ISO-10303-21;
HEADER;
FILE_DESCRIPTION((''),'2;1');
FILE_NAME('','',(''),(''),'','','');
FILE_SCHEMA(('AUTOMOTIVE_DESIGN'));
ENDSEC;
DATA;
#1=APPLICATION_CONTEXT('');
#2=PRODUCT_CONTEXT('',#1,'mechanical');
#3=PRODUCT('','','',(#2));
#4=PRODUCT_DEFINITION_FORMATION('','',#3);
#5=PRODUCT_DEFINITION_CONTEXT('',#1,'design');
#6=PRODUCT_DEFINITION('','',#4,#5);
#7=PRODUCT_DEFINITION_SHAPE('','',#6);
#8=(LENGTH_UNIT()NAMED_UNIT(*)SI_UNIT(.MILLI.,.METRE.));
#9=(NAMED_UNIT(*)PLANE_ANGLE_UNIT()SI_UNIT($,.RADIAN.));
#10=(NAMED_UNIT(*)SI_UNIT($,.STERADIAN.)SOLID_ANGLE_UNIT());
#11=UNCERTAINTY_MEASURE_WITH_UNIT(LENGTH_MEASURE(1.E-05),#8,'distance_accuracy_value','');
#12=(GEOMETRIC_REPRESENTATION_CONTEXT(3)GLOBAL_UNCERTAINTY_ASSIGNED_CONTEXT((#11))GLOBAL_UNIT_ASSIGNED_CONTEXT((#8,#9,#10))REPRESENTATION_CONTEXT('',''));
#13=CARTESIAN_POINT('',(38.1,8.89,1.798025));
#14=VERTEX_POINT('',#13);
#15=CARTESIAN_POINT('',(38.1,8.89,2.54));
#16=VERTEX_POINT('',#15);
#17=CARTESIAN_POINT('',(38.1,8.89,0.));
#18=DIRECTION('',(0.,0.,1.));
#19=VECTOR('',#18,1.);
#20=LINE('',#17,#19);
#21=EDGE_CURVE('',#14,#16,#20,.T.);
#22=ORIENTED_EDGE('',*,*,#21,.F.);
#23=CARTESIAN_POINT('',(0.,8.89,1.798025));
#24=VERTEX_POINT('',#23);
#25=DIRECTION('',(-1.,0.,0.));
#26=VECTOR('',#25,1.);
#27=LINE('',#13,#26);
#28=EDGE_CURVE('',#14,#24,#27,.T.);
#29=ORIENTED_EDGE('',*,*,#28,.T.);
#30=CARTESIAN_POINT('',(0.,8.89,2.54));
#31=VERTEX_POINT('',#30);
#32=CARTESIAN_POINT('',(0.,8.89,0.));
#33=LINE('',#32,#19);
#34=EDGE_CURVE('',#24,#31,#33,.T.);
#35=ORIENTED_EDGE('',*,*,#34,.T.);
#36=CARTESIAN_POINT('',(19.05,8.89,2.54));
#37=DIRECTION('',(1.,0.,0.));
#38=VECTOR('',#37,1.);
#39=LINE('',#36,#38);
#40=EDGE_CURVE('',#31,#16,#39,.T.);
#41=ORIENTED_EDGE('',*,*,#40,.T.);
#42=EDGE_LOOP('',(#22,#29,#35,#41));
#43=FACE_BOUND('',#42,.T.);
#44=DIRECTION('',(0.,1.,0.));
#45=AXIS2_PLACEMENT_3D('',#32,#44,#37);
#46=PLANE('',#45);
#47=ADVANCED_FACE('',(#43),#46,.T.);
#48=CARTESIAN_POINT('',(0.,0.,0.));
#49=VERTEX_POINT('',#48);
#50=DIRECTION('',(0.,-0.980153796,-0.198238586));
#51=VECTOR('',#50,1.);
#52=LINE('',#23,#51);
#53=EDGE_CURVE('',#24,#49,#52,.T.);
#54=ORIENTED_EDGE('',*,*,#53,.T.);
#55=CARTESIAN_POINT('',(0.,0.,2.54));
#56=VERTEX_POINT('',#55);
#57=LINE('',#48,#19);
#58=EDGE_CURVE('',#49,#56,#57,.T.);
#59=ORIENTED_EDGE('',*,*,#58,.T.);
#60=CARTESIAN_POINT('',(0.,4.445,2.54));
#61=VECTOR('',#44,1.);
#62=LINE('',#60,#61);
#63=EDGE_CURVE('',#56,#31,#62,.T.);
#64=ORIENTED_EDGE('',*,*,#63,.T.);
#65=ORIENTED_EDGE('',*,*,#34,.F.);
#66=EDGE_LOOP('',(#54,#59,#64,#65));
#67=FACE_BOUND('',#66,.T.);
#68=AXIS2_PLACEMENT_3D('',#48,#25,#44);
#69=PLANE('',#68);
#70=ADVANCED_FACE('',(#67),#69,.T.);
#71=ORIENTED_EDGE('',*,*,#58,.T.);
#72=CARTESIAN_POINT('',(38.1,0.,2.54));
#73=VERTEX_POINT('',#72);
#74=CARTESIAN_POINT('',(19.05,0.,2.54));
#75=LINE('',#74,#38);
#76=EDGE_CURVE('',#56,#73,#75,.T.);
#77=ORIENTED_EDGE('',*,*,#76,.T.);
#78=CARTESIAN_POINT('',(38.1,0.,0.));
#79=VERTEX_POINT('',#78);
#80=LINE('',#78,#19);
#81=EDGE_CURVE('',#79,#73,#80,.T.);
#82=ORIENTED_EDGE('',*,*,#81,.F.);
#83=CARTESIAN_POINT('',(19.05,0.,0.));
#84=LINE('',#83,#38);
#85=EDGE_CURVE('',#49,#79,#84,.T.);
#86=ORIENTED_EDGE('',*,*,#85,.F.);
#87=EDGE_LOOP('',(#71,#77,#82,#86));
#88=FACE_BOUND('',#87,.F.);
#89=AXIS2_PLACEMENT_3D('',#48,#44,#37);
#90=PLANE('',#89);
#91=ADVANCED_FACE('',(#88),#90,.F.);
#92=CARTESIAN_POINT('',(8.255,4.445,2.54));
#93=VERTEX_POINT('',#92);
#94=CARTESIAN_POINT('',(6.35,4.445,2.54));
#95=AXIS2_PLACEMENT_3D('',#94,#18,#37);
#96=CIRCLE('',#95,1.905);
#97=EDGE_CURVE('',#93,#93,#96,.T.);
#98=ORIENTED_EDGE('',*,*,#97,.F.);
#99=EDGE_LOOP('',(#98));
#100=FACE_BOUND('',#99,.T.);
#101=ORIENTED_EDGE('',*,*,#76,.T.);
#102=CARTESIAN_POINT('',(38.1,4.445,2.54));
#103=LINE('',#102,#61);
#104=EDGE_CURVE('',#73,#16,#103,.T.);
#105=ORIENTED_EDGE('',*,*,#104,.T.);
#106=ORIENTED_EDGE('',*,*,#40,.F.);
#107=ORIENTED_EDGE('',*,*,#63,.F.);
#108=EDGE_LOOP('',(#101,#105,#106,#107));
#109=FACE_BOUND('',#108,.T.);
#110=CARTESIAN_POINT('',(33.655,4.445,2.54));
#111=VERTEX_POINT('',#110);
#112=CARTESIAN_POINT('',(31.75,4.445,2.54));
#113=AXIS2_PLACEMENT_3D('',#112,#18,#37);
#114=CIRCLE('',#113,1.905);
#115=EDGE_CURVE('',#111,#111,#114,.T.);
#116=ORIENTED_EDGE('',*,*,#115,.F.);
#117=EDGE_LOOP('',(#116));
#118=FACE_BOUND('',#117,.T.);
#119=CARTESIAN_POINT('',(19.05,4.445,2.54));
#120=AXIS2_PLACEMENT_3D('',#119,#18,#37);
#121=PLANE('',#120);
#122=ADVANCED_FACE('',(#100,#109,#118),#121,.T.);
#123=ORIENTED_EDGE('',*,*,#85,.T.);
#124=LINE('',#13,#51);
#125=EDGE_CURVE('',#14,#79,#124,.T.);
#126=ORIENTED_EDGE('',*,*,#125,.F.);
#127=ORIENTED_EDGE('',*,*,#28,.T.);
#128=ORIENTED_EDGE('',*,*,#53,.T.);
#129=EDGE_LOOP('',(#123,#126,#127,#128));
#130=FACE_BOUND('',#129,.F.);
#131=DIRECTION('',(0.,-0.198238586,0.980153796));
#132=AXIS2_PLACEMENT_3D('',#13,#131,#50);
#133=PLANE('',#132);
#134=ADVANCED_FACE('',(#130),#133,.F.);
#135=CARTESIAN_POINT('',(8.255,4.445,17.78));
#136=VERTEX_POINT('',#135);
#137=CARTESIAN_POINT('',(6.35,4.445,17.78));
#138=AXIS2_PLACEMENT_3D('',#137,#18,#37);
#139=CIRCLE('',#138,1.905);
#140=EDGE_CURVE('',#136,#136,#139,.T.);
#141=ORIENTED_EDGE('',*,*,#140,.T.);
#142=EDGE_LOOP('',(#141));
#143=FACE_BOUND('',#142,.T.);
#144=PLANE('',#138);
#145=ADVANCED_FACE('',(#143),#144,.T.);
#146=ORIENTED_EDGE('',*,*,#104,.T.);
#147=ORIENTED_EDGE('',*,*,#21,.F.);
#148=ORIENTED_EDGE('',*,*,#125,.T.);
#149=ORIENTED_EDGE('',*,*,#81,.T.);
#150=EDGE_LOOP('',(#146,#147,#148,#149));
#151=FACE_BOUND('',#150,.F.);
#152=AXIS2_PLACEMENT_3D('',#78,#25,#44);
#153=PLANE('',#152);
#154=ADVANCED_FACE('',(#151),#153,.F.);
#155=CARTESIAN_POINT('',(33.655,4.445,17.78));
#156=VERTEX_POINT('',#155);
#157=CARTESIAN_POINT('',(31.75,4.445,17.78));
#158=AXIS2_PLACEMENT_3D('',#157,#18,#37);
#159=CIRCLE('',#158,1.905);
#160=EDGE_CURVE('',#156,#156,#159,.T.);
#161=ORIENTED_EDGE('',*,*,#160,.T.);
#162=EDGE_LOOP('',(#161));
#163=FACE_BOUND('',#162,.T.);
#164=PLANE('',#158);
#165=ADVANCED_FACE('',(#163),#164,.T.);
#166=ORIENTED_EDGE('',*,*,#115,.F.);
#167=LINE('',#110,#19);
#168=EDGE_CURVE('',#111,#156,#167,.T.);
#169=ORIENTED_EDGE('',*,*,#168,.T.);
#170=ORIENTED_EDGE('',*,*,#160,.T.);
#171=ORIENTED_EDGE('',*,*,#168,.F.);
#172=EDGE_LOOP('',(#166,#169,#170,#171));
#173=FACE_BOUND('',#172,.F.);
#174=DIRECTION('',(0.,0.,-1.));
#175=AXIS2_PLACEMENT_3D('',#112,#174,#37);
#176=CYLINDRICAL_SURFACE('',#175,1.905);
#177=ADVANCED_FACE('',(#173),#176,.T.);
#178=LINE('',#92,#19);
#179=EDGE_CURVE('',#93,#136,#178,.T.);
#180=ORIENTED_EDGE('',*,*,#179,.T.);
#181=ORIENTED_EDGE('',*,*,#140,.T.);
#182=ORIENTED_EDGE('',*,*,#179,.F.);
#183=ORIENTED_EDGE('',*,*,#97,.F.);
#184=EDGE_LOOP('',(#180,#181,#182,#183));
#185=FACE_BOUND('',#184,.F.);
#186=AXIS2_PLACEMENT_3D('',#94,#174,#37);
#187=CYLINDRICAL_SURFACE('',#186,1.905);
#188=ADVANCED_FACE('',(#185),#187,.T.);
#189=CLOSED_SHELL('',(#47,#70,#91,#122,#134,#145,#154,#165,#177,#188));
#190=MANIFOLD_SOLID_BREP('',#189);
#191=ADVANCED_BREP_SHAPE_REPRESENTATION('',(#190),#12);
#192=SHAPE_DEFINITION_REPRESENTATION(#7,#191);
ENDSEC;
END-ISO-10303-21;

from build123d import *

# Parameters (mm, degrees)
F0_W     = 38.1
F0_H     = 8.89
F1_DEPTH = 2.54
F2_R     = 1.905
F3_DEPTH = 15.24
F5_DEPTH = 38.1


with BuildPart() as f1:
    # F0 (on Top) → F1 (new body)
    with BuildSketch(Plane.XY):
        with Locations((19.05, 4.445)):
            Rectangle(F0_W, F0_H)
    extrude(amount=F1_DEPTH)

    # F2 (on face) → F3 (join)
    with BuildSketch(Plane.XY.offset(2.54)):
        with Locations((6.35, 4.445)):
            Circle(F2_R)
        with Locations((31.75, 4.445)):
            Circle(F2_R)
    extrude(amount=F3_DEPTH)

    # F4 (on face) → F5 (cut)
    with BuildSketch(Plane.YZ.offset(38.1)):
        Polygon((8.89, 0), (8.89, 1.798025), (0, 0), align=None)
    extrude(amount=-F5_DEPTH, mode=Mode.SUBTRACT)


solid = f1.part
